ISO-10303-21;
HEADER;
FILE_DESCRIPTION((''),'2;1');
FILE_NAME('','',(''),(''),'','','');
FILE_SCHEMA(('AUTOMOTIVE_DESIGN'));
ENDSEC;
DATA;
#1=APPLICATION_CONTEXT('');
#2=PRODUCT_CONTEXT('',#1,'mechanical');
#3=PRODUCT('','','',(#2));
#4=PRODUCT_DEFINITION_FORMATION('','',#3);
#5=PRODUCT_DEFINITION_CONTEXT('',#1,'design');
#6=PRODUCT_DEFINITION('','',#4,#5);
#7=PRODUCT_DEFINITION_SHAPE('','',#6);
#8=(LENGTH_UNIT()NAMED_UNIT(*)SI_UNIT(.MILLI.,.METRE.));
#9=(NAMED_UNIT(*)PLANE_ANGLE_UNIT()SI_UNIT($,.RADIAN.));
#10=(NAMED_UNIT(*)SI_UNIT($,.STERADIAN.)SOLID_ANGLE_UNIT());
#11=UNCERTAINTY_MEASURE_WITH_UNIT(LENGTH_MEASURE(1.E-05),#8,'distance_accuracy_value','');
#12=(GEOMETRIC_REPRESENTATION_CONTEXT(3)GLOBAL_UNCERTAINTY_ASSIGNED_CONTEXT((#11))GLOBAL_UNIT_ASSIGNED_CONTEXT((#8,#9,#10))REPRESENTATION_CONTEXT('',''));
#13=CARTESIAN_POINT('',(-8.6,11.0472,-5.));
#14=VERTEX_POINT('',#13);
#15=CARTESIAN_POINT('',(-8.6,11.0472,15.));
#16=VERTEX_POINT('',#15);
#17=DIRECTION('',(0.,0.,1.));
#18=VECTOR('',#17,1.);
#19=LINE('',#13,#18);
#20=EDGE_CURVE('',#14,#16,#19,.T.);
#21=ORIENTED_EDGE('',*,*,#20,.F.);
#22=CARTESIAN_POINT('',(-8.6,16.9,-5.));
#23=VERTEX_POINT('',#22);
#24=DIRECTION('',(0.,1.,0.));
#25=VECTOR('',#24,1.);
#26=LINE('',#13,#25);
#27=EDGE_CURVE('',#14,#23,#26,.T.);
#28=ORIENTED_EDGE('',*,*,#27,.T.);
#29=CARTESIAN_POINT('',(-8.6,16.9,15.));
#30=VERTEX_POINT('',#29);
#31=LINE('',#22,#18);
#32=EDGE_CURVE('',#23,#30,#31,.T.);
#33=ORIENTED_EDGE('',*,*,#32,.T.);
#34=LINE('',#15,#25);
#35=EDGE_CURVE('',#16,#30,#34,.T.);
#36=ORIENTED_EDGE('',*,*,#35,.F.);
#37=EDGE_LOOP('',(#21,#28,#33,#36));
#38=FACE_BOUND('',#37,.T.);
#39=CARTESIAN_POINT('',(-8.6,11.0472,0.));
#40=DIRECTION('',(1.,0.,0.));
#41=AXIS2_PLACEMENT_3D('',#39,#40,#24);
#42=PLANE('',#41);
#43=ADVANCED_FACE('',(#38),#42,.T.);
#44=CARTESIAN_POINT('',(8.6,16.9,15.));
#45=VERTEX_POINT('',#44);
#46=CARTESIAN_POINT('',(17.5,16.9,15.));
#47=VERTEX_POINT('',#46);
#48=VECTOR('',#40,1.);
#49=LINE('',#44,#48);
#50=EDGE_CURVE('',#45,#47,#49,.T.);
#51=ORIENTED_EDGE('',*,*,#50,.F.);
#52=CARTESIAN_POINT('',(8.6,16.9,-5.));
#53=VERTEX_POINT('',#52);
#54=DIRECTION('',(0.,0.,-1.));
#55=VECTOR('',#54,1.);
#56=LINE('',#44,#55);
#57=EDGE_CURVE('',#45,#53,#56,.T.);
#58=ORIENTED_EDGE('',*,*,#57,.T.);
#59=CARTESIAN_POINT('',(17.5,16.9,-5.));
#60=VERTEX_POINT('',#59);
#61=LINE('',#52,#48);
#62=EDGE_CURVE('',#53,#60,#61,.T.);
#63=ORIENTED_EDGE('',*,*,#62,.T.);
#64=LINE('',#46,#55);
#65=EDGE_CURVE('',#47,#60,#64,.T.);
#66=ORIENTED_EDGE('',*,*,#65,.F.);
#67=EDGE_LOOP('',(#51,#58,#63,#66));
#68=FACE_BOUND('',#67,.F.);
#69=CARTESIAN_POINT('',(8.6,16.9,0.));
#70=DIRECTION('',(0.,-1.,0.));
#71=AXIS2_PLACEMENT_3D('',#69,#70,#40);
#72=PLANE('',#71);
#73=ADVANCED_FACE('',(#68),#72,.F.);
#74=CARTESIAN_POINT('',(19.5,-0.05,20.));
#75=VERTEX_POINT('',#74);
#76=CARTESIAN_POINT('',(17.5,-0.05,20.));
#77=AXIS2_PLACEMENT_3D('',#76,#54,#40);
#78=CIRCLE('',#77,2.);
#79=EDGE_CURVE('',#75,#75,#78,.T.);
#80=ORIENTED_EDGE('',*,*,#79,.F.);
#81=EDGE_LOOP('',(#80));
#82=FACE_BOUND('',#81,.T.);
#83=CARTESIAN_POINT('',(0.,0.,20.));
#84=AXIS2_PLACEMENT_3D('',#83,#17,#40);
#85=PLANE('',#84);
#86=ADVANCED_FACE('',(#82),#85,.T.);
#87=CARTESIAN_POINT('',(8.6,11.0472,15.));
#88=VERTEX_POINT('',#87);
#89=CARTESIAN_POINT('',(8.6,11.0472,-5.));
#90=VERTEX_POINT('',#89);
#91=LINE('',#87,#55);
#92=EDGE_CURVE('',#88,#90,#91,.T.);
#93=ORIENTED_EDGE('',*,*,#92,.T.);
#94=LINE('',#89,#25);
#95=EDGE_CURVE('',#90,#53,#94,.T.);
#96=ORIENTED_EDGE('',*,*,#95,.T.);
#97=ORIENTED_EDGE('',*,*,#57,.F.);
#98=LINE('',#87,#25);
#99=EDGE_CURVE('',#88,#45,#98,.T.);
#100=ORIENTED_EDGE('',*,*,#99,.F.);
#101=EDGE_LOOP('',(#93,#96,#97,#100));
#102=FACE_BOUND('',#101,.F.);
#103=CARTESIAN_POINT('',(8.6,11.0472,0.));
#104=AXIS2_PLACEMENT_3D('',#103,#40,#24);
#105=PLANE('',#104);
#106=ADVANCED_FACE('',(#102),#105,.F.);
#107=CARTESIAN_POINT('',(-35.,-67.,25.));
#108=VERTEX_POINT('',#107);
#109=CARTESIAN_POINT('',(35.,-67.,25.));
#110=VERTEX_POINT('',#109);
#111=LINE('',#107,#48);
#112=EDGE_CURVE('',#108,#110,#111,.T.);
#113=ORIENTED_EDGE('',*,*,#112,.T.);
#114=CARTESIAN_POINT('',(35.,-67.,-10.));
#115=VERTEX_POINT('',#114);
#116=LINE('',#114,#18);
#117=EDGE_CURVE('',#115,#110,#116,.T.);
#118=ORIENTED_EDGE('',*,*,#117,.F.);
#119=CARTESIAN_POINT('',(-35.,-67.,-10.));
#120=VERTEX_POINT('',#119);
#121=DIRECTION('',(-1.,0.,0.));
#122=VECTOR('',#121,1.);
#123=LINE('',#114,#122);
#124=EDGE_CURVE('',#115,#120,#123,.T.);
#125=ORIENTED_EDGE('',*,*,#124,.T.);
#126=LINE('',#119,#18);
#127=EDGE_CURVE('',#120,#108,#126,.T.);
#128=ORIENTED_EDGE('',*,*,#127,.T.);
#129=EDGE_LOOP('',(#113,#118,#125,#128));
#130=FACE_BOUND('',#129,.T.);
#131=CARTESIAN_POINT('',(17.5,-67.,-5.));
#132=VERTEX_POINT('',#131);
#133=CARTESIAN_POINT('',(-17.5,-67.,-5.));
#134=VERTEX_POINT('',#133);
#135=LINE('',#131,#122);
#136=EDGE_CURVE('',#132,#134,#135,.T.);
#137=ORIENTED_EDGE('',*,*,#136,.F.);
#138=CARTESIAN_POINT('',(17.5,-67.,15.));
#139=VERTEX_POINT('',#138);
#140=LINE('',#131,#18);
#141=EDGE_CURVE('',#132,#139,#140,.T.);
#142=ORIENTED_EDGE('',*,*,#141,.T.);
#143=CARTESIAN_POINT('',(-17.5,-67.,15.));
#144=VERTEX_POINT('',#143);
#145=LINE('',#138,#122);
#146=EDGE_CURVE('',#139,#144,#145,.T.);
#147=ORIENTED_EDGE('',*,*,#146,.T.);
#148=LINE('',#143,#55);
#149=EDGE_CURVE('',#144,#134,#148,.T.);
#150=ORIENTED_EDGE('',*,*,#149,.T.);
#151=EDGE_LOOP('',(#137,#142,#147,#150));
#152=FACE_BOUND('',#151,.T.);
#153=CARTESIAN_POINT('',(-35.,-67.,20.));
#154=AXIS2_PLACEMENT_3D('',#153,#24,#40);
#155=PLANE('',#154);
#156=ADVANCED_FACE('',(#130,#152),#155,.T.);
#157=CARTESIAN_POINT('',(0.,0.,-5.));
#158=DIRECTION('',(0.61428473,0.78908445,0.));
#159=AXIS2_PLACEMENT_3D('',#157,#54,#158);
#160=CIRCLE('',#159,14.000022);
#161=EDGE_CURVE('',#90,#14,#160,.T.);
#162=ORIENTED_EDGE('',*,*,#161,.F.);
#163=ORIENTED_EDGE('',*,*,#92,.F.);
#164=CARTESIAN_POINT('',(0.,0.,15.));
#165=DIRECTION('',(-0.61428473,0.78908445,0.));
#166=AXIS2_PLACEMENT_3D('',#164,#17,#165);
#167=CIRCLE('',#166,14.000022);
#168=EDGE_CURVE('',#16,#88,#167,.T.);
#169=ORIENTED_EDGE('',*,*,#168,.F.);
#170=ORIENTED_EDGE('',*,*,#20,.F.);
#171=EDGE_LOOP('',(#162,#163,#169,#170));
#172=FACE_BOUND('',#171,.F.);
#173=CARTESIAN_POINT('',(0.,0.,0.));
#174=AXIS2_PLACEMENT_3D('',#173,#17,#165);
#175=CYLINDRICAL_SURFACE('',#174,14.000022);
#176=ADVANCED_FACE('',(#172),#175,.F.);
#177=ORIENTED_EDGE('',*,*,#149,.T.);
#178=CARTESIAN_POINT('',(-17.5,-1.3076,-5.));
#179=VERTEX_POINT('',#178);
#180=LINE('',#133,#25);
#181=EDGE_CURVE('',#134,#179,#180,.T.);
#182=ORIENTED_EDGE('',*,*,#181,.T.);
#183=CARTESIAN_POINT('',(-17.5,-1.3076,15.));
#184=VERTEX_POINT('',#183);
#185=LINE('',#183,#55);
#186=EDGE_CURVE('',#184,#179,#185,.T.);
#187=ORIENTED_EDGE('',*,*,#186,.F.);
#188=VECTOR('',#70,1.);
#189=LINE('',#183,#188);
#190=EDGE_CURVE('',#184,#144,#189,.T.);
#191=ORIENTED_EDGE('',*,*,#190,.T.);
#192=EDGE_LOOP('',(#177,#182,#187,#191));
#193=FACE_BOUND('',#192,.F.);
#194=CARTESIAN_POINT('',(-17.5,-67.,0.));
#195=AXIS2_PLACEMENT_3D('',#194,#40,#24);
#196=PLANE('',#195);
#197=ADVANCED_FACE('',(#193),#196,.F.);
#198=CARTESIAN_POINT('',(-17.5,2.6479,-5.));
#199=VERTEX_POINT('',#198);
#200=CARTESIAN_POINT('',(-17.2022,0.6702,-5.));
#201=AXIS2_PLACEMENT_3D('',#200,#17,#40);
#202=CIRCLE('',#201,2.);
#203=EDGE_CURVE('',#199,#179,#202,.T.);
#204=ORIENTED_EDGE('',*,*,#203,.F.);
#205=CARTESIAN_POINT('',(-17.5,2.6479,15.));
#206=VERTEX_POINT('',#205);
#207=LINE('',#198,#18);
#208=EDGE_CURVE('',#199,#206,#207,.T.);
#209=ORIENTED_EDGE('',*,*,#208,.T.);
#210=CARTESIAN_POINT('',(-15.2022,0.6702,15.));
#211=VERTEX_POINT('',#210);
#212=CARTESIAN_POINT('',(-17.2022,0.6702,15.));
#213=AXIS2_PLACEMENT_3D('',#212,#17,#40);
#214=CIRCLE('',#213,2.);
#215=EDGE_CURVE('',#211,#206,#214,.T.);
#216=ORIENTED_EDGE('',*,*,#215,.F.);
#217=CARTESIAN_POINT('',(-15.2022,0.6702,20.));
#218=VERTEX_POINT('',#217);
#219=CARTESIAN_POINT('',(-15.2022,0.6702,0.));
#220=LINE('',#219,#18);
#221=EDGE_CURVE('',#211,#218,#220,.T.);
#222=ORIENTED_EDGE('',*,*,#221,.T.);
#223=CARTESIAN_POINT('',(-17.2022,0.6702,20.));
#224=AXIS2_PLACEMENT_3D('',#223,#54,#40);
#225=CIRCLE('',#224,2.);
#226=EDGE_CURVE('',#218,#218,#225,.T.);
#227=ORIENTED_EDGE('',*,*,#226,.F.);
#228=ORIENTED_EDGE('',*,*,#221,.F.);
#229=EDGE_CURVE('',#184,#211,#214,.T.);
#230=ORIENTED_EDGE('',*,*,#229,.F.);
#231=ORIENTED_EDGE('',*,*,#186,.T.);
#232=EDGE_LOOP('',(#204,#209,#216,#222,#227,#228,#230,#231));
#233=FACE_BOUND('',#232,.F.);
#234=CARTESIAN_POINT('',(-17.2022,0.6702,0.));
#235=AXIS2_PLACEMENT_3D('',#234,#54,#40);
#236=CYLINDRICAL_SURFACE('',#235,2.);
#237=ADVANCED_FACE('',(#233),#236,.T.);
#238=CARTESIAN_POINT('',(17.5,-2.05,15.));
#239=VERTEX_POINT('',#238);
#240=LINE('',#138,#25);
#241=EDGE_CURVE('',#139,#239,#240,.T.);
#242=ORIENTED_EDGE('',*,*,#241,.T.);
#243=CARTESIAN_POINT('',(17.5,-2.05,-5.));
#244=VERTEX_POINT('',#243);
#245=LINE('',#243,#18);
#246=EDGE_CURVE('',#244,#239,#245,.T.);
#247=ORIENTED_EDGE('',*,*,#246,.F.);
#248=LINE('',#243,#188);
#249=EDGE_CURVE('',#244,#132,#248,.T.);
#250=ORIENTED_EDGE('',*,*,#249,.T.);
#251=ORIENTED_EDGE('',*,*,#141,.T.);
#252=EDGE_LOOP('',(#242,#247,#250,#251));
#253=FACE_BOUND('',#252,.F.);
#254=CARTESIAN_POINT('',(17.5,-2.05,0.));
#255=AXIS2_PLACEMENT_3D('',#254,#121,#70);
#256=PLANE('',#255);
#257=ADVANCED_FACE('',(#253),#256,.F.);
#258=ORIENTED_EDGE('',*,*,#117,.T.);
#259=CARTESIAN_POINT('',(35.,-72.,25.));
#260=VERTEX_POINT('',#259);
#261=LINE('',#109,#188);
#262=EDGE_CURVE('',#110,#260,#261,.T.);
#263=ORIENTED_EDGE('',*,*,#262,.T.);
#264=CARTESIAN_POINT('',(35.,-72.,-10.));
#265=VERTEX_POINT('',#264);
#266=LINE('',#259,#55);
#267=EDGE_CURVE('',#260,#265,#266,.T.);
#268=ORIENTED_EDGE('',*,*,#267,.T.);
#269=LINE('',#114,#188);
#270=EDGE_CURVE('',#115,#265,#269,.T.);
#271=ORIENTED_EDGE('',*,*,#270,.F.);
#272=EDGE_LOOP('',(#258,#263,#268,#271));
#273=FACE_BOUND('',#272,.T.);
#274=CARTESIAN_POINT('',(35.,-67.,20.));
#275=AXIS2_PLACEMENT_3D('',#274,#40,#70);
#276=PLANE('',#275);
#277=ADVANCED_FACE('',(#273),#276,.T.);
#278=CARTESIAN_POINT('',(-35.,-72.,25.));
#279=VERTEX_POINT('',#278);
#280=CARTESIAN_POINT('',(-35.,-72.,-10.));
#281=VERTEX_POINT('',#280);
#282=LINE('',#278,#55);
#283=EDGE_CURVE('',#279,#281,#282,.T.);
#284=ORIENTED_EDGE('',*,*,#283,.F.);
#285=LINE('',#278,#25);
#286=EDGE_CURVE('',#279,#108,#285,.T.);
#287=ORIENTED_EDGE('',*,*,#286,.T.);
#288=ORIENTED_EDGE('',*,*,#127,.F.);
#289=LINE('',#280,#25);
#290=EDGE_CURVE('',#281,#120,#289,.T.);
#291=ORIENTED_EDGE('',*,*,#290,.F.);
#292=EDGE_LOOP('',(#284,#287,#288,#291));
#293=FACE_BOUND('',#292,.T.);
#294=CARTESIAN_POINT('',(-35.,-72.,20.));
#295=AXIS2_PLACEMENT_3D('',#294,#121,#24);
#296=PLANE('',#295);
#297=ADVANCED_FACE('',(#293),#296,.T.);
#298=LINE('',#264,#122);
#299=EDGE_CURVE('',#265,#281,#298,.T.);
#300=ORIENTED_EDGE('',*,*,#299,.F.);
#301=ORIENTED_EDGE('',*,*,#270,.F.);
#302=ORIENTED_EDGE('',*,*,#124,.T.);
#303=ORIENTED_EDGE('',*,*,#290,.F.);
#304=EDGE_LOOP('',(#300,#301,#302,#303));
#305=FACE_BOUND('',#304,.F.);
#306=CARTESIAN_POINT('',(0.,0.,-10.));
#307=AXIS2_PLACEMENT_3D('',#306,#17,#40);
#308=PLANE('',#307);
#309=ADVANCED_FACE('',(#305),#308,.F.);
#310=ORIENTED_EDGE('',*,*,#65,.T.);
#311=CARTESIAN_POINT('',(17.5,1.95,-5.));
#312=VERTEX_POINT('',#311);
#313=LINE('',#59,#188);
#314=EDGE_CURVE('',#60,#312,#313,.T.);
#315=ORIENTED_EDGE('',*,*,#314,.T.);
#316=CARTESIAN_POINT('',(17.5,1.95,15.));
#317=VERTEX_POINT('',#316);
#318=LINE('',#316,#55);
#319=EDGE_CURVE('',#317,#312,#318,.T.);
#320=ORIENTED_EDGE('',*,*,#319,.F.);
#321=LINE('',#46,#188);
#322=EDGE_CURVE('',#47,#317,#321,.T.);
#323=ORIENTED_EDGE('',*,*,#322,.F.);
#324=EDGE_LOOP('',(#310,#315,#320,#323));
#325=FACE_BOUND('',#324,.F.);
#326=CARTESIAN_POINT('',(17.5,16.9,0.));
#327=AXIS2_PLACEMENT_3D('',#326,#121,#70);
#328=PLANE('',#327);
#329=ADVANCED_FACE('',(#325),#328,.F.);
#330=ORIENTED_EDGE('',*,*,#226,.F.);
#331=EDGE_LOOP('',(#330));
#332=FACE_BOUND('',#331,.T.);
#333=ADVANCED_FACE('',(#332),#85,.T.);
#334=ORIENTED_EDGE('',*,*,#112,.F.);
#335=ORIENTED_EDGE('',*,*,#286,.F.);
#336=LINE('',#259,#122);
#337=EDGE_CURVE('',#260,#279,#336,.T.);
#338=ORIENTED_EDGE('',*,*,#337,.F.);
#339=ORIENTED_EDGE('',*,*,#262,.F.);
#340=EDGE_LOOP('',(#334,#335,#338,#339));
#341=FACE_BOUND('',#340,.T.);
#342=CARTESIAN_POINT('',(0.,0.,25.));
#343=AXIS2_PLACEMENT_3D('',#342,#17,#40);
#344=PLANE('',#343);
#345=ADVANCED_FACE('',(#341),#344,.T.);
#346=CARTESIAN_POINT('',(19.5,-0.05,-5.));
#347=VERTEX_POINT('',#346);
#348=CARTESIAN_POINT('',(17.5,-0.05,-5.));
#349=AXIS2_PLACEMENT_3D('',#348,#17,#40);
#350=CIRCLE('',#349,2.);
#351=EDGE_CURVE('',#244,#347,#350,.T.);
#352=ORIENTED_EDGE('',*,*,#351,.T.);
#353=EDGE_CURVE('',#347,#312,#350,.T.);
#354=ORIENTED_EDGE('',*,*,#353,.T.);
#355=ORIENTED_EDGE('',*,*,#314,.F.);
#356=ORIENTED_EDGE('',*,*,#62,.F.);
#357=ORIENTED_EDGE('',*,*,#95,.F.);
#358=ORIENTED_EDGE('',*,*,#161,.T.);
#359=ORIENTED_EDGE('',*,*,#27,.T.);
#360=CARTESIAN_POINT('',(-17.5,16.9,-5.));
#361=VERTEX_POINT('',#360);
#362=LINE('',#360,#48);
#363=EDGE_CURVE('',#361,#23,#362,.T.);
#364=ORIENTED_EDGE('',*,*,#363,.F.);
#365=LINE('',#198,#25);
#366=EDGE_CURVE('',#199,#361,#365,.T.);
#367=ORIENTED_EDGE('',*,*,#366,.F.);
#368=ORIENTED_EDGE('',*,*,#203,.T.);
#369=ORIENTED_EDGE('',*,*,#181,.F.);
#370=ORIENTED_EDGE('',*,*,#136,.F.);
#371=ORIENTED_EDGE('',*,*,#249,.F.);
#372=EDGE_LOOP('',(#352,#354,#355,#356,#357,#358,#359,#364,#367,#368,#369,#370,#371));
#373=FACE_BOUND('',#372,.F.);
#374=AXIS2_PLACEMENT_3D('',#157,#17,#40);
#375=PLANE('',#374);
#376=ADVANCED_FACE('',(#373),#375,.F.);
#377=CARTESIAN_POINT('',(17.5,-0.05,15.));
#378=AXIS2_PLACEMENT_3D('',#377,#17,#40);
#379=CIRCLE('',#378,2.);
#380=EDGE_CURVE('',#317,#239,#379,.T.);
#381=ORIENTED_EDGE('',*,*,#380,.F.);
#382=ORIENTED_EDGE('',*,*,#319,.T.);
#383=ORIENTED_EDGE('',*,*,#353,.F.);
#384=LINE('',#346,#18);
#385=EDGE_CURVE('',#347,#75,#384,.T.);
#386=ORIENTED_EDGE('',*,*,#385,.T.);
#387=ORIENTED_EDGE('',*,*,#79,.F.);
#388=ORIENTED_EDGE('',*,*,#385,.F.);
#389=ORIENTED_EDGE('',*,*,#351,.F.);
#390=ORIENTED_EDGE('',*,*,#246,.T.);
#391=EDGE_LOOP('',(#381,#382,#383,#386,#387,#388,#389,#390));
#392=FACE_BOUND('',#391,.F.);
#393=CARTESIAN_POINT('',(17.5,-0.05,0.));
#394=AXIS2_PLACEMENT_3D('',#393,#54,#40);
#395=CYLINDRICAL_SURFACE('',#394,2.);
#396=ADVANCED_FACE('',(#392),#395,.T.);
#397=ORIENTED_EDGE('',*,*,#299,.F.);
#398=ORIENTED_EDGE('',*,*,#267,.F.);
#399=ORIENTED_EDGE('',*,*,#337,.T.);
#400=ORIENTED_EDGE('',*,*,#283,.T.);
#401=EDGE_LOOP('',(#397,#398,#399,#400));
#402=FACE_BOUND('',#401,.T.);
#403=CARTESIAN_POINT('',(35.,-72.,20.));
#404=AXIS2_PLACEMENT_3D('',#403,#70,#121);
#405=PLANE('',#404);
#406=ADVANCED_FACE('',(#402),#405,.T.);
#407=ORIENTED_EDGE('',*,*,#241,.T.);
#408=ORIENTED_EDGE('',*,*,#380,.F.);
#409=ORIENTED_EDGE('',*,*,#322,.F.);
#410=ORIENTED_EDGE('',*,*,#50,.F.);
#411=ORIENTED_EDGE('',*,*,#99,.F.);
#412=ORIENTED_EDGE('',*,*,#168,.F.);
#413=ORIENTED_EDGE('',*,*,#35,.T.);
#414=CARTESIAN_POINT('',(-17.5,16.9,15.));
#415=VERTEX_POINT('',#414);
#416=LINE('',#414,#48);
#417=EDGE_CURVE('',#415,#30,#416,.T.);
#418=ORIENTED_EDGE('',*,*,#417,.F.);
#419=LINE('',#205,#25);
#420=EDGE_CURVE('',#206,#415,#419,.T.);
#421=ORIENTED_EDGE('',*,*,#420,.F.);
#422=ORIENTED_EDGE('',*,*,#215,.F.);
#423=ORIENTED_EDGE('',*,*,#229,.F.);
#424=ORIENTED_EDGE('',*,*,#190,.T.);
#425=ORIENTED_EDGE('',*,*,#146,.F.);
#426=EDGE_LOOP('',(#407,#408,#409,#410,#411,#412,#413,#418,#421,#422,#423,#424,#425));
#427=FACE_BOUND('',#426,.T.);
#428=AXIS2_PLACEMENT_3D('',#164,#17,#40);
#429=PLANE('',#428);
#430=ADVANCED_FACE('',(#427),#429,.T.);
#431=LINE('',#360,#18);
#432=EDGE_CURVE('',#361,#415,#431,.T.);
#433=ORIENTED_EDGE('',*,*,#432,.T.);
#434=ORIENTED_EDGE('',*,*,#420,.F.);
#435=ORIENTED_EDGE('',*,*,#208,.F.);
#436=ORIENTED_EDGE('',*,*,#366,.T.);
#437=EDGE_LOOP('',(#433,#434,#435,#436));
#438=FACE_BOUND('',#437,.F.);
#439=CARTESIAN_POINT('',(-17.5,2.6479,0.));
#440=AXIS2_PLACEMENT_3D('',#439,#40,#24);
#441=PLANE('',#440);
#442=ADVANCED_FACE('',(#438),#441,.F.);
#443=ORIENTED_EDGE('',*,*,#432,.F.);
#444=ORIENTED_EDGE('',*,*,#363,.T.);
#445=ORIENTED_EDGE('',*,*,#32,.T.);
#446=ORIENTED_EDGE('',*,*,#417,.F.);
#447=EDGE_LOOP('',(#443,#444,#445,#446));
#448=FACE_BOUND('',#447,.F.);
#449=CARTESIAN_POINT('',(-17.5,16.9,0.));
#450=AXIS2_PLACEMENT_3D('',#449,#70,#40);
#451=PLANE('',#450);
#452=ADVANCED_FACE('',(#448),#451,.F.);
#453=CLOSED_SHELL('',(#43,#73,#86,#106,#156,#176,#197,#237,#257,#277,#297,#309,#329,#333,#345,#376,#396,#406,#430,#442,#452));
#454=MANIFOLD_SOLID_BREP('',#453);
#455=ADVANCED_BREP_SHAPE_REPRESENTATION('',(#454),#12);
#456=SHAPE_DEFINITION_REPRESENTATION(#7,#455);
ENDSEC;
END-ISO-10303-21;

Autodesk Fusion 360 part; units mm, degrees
sketch "草图1" plane through (0, 0, 0) normal (0, 0, 1) x (1, 0, 0)
  line L0 (-8.6, 11.0472) -> (-8.6, 16.9)
  line L1 (8.6, 11.0472) -> (8.6, 16.9)
  arc A0 (-8.6, 11.0472) -> (8.6, 11.0472) centre (0, 0) ccw
  line L2 (-17.5, 16.9) -> (-8.6, 16.9)
  line L3 (8.6, 16.9) -> (17.5, 16.9)
  line L4 (0, -14) -> (0, 27.4039)
  circle A1 centre (-17.2022, 0.6702) radius 2
  circle A2 centre (17.5, -0.05) radius 2
  line L5 (17.5, 16.9) -> (17.5, 1.95)
  line L6 (17.5, -2.05) -> (17.5, -17)
  line L7 (-17.5, -17) -> (-17.5, -1.3076)
  line L8 (-17.5, 2.6479) -> (-17.5, 16.9)
  line L9 (17.5, -17) -> (17.5, -67)
  line L10 (17.5, -67) -> (-17.5, -67)
  line L11 (-17.5, -67) -> (-17.5, -17)
  line L12 (35, -72) -> (-35, -72)
  line L13 (-35, -72) -> (-35, -67)
  line L14 (35, -67) -> (35, -72)
  line L15 (-35, -67) -> (35, -67)
  dimension "d1" = 28
  dimension "d6" = 17.2
  dimension "d9" = 4
  dimension "d10" = 4
  dimension "d15" = 50
extrude "拉伸3" add sketch "草图1" along normal blind 15 contours L0 L1 A0 L2 L3 A1 A2 L5 L6 L7 L8 L9 L10 L11 L15
extrude "拉伸4" add sketch "草图1" along normal blind 20 contours A1 | A2
extrude "拉伸5" add sketch "草图1" against normal blind 5 contours L0 L1 A0 L2 L3 A1 A2 L5 L6 L7 L8 L9 L10 L11 L15
extrude "拉伸6" add sketch "草图1" against normal blind 5 contours A1 | A2
extrude "拉伸7" add sketch "草图1" along normal blind 20 contours L10 L12 L13 L14 L15
extrude "拉伸8" add sketch "草图1" against normal blind 10 contours L10 L12 L13 L14 L15
extrude "拉伸9" add 1 faces at (-11.6667, -68.6667, 20) along direction (0, 0, 1) blind 5
